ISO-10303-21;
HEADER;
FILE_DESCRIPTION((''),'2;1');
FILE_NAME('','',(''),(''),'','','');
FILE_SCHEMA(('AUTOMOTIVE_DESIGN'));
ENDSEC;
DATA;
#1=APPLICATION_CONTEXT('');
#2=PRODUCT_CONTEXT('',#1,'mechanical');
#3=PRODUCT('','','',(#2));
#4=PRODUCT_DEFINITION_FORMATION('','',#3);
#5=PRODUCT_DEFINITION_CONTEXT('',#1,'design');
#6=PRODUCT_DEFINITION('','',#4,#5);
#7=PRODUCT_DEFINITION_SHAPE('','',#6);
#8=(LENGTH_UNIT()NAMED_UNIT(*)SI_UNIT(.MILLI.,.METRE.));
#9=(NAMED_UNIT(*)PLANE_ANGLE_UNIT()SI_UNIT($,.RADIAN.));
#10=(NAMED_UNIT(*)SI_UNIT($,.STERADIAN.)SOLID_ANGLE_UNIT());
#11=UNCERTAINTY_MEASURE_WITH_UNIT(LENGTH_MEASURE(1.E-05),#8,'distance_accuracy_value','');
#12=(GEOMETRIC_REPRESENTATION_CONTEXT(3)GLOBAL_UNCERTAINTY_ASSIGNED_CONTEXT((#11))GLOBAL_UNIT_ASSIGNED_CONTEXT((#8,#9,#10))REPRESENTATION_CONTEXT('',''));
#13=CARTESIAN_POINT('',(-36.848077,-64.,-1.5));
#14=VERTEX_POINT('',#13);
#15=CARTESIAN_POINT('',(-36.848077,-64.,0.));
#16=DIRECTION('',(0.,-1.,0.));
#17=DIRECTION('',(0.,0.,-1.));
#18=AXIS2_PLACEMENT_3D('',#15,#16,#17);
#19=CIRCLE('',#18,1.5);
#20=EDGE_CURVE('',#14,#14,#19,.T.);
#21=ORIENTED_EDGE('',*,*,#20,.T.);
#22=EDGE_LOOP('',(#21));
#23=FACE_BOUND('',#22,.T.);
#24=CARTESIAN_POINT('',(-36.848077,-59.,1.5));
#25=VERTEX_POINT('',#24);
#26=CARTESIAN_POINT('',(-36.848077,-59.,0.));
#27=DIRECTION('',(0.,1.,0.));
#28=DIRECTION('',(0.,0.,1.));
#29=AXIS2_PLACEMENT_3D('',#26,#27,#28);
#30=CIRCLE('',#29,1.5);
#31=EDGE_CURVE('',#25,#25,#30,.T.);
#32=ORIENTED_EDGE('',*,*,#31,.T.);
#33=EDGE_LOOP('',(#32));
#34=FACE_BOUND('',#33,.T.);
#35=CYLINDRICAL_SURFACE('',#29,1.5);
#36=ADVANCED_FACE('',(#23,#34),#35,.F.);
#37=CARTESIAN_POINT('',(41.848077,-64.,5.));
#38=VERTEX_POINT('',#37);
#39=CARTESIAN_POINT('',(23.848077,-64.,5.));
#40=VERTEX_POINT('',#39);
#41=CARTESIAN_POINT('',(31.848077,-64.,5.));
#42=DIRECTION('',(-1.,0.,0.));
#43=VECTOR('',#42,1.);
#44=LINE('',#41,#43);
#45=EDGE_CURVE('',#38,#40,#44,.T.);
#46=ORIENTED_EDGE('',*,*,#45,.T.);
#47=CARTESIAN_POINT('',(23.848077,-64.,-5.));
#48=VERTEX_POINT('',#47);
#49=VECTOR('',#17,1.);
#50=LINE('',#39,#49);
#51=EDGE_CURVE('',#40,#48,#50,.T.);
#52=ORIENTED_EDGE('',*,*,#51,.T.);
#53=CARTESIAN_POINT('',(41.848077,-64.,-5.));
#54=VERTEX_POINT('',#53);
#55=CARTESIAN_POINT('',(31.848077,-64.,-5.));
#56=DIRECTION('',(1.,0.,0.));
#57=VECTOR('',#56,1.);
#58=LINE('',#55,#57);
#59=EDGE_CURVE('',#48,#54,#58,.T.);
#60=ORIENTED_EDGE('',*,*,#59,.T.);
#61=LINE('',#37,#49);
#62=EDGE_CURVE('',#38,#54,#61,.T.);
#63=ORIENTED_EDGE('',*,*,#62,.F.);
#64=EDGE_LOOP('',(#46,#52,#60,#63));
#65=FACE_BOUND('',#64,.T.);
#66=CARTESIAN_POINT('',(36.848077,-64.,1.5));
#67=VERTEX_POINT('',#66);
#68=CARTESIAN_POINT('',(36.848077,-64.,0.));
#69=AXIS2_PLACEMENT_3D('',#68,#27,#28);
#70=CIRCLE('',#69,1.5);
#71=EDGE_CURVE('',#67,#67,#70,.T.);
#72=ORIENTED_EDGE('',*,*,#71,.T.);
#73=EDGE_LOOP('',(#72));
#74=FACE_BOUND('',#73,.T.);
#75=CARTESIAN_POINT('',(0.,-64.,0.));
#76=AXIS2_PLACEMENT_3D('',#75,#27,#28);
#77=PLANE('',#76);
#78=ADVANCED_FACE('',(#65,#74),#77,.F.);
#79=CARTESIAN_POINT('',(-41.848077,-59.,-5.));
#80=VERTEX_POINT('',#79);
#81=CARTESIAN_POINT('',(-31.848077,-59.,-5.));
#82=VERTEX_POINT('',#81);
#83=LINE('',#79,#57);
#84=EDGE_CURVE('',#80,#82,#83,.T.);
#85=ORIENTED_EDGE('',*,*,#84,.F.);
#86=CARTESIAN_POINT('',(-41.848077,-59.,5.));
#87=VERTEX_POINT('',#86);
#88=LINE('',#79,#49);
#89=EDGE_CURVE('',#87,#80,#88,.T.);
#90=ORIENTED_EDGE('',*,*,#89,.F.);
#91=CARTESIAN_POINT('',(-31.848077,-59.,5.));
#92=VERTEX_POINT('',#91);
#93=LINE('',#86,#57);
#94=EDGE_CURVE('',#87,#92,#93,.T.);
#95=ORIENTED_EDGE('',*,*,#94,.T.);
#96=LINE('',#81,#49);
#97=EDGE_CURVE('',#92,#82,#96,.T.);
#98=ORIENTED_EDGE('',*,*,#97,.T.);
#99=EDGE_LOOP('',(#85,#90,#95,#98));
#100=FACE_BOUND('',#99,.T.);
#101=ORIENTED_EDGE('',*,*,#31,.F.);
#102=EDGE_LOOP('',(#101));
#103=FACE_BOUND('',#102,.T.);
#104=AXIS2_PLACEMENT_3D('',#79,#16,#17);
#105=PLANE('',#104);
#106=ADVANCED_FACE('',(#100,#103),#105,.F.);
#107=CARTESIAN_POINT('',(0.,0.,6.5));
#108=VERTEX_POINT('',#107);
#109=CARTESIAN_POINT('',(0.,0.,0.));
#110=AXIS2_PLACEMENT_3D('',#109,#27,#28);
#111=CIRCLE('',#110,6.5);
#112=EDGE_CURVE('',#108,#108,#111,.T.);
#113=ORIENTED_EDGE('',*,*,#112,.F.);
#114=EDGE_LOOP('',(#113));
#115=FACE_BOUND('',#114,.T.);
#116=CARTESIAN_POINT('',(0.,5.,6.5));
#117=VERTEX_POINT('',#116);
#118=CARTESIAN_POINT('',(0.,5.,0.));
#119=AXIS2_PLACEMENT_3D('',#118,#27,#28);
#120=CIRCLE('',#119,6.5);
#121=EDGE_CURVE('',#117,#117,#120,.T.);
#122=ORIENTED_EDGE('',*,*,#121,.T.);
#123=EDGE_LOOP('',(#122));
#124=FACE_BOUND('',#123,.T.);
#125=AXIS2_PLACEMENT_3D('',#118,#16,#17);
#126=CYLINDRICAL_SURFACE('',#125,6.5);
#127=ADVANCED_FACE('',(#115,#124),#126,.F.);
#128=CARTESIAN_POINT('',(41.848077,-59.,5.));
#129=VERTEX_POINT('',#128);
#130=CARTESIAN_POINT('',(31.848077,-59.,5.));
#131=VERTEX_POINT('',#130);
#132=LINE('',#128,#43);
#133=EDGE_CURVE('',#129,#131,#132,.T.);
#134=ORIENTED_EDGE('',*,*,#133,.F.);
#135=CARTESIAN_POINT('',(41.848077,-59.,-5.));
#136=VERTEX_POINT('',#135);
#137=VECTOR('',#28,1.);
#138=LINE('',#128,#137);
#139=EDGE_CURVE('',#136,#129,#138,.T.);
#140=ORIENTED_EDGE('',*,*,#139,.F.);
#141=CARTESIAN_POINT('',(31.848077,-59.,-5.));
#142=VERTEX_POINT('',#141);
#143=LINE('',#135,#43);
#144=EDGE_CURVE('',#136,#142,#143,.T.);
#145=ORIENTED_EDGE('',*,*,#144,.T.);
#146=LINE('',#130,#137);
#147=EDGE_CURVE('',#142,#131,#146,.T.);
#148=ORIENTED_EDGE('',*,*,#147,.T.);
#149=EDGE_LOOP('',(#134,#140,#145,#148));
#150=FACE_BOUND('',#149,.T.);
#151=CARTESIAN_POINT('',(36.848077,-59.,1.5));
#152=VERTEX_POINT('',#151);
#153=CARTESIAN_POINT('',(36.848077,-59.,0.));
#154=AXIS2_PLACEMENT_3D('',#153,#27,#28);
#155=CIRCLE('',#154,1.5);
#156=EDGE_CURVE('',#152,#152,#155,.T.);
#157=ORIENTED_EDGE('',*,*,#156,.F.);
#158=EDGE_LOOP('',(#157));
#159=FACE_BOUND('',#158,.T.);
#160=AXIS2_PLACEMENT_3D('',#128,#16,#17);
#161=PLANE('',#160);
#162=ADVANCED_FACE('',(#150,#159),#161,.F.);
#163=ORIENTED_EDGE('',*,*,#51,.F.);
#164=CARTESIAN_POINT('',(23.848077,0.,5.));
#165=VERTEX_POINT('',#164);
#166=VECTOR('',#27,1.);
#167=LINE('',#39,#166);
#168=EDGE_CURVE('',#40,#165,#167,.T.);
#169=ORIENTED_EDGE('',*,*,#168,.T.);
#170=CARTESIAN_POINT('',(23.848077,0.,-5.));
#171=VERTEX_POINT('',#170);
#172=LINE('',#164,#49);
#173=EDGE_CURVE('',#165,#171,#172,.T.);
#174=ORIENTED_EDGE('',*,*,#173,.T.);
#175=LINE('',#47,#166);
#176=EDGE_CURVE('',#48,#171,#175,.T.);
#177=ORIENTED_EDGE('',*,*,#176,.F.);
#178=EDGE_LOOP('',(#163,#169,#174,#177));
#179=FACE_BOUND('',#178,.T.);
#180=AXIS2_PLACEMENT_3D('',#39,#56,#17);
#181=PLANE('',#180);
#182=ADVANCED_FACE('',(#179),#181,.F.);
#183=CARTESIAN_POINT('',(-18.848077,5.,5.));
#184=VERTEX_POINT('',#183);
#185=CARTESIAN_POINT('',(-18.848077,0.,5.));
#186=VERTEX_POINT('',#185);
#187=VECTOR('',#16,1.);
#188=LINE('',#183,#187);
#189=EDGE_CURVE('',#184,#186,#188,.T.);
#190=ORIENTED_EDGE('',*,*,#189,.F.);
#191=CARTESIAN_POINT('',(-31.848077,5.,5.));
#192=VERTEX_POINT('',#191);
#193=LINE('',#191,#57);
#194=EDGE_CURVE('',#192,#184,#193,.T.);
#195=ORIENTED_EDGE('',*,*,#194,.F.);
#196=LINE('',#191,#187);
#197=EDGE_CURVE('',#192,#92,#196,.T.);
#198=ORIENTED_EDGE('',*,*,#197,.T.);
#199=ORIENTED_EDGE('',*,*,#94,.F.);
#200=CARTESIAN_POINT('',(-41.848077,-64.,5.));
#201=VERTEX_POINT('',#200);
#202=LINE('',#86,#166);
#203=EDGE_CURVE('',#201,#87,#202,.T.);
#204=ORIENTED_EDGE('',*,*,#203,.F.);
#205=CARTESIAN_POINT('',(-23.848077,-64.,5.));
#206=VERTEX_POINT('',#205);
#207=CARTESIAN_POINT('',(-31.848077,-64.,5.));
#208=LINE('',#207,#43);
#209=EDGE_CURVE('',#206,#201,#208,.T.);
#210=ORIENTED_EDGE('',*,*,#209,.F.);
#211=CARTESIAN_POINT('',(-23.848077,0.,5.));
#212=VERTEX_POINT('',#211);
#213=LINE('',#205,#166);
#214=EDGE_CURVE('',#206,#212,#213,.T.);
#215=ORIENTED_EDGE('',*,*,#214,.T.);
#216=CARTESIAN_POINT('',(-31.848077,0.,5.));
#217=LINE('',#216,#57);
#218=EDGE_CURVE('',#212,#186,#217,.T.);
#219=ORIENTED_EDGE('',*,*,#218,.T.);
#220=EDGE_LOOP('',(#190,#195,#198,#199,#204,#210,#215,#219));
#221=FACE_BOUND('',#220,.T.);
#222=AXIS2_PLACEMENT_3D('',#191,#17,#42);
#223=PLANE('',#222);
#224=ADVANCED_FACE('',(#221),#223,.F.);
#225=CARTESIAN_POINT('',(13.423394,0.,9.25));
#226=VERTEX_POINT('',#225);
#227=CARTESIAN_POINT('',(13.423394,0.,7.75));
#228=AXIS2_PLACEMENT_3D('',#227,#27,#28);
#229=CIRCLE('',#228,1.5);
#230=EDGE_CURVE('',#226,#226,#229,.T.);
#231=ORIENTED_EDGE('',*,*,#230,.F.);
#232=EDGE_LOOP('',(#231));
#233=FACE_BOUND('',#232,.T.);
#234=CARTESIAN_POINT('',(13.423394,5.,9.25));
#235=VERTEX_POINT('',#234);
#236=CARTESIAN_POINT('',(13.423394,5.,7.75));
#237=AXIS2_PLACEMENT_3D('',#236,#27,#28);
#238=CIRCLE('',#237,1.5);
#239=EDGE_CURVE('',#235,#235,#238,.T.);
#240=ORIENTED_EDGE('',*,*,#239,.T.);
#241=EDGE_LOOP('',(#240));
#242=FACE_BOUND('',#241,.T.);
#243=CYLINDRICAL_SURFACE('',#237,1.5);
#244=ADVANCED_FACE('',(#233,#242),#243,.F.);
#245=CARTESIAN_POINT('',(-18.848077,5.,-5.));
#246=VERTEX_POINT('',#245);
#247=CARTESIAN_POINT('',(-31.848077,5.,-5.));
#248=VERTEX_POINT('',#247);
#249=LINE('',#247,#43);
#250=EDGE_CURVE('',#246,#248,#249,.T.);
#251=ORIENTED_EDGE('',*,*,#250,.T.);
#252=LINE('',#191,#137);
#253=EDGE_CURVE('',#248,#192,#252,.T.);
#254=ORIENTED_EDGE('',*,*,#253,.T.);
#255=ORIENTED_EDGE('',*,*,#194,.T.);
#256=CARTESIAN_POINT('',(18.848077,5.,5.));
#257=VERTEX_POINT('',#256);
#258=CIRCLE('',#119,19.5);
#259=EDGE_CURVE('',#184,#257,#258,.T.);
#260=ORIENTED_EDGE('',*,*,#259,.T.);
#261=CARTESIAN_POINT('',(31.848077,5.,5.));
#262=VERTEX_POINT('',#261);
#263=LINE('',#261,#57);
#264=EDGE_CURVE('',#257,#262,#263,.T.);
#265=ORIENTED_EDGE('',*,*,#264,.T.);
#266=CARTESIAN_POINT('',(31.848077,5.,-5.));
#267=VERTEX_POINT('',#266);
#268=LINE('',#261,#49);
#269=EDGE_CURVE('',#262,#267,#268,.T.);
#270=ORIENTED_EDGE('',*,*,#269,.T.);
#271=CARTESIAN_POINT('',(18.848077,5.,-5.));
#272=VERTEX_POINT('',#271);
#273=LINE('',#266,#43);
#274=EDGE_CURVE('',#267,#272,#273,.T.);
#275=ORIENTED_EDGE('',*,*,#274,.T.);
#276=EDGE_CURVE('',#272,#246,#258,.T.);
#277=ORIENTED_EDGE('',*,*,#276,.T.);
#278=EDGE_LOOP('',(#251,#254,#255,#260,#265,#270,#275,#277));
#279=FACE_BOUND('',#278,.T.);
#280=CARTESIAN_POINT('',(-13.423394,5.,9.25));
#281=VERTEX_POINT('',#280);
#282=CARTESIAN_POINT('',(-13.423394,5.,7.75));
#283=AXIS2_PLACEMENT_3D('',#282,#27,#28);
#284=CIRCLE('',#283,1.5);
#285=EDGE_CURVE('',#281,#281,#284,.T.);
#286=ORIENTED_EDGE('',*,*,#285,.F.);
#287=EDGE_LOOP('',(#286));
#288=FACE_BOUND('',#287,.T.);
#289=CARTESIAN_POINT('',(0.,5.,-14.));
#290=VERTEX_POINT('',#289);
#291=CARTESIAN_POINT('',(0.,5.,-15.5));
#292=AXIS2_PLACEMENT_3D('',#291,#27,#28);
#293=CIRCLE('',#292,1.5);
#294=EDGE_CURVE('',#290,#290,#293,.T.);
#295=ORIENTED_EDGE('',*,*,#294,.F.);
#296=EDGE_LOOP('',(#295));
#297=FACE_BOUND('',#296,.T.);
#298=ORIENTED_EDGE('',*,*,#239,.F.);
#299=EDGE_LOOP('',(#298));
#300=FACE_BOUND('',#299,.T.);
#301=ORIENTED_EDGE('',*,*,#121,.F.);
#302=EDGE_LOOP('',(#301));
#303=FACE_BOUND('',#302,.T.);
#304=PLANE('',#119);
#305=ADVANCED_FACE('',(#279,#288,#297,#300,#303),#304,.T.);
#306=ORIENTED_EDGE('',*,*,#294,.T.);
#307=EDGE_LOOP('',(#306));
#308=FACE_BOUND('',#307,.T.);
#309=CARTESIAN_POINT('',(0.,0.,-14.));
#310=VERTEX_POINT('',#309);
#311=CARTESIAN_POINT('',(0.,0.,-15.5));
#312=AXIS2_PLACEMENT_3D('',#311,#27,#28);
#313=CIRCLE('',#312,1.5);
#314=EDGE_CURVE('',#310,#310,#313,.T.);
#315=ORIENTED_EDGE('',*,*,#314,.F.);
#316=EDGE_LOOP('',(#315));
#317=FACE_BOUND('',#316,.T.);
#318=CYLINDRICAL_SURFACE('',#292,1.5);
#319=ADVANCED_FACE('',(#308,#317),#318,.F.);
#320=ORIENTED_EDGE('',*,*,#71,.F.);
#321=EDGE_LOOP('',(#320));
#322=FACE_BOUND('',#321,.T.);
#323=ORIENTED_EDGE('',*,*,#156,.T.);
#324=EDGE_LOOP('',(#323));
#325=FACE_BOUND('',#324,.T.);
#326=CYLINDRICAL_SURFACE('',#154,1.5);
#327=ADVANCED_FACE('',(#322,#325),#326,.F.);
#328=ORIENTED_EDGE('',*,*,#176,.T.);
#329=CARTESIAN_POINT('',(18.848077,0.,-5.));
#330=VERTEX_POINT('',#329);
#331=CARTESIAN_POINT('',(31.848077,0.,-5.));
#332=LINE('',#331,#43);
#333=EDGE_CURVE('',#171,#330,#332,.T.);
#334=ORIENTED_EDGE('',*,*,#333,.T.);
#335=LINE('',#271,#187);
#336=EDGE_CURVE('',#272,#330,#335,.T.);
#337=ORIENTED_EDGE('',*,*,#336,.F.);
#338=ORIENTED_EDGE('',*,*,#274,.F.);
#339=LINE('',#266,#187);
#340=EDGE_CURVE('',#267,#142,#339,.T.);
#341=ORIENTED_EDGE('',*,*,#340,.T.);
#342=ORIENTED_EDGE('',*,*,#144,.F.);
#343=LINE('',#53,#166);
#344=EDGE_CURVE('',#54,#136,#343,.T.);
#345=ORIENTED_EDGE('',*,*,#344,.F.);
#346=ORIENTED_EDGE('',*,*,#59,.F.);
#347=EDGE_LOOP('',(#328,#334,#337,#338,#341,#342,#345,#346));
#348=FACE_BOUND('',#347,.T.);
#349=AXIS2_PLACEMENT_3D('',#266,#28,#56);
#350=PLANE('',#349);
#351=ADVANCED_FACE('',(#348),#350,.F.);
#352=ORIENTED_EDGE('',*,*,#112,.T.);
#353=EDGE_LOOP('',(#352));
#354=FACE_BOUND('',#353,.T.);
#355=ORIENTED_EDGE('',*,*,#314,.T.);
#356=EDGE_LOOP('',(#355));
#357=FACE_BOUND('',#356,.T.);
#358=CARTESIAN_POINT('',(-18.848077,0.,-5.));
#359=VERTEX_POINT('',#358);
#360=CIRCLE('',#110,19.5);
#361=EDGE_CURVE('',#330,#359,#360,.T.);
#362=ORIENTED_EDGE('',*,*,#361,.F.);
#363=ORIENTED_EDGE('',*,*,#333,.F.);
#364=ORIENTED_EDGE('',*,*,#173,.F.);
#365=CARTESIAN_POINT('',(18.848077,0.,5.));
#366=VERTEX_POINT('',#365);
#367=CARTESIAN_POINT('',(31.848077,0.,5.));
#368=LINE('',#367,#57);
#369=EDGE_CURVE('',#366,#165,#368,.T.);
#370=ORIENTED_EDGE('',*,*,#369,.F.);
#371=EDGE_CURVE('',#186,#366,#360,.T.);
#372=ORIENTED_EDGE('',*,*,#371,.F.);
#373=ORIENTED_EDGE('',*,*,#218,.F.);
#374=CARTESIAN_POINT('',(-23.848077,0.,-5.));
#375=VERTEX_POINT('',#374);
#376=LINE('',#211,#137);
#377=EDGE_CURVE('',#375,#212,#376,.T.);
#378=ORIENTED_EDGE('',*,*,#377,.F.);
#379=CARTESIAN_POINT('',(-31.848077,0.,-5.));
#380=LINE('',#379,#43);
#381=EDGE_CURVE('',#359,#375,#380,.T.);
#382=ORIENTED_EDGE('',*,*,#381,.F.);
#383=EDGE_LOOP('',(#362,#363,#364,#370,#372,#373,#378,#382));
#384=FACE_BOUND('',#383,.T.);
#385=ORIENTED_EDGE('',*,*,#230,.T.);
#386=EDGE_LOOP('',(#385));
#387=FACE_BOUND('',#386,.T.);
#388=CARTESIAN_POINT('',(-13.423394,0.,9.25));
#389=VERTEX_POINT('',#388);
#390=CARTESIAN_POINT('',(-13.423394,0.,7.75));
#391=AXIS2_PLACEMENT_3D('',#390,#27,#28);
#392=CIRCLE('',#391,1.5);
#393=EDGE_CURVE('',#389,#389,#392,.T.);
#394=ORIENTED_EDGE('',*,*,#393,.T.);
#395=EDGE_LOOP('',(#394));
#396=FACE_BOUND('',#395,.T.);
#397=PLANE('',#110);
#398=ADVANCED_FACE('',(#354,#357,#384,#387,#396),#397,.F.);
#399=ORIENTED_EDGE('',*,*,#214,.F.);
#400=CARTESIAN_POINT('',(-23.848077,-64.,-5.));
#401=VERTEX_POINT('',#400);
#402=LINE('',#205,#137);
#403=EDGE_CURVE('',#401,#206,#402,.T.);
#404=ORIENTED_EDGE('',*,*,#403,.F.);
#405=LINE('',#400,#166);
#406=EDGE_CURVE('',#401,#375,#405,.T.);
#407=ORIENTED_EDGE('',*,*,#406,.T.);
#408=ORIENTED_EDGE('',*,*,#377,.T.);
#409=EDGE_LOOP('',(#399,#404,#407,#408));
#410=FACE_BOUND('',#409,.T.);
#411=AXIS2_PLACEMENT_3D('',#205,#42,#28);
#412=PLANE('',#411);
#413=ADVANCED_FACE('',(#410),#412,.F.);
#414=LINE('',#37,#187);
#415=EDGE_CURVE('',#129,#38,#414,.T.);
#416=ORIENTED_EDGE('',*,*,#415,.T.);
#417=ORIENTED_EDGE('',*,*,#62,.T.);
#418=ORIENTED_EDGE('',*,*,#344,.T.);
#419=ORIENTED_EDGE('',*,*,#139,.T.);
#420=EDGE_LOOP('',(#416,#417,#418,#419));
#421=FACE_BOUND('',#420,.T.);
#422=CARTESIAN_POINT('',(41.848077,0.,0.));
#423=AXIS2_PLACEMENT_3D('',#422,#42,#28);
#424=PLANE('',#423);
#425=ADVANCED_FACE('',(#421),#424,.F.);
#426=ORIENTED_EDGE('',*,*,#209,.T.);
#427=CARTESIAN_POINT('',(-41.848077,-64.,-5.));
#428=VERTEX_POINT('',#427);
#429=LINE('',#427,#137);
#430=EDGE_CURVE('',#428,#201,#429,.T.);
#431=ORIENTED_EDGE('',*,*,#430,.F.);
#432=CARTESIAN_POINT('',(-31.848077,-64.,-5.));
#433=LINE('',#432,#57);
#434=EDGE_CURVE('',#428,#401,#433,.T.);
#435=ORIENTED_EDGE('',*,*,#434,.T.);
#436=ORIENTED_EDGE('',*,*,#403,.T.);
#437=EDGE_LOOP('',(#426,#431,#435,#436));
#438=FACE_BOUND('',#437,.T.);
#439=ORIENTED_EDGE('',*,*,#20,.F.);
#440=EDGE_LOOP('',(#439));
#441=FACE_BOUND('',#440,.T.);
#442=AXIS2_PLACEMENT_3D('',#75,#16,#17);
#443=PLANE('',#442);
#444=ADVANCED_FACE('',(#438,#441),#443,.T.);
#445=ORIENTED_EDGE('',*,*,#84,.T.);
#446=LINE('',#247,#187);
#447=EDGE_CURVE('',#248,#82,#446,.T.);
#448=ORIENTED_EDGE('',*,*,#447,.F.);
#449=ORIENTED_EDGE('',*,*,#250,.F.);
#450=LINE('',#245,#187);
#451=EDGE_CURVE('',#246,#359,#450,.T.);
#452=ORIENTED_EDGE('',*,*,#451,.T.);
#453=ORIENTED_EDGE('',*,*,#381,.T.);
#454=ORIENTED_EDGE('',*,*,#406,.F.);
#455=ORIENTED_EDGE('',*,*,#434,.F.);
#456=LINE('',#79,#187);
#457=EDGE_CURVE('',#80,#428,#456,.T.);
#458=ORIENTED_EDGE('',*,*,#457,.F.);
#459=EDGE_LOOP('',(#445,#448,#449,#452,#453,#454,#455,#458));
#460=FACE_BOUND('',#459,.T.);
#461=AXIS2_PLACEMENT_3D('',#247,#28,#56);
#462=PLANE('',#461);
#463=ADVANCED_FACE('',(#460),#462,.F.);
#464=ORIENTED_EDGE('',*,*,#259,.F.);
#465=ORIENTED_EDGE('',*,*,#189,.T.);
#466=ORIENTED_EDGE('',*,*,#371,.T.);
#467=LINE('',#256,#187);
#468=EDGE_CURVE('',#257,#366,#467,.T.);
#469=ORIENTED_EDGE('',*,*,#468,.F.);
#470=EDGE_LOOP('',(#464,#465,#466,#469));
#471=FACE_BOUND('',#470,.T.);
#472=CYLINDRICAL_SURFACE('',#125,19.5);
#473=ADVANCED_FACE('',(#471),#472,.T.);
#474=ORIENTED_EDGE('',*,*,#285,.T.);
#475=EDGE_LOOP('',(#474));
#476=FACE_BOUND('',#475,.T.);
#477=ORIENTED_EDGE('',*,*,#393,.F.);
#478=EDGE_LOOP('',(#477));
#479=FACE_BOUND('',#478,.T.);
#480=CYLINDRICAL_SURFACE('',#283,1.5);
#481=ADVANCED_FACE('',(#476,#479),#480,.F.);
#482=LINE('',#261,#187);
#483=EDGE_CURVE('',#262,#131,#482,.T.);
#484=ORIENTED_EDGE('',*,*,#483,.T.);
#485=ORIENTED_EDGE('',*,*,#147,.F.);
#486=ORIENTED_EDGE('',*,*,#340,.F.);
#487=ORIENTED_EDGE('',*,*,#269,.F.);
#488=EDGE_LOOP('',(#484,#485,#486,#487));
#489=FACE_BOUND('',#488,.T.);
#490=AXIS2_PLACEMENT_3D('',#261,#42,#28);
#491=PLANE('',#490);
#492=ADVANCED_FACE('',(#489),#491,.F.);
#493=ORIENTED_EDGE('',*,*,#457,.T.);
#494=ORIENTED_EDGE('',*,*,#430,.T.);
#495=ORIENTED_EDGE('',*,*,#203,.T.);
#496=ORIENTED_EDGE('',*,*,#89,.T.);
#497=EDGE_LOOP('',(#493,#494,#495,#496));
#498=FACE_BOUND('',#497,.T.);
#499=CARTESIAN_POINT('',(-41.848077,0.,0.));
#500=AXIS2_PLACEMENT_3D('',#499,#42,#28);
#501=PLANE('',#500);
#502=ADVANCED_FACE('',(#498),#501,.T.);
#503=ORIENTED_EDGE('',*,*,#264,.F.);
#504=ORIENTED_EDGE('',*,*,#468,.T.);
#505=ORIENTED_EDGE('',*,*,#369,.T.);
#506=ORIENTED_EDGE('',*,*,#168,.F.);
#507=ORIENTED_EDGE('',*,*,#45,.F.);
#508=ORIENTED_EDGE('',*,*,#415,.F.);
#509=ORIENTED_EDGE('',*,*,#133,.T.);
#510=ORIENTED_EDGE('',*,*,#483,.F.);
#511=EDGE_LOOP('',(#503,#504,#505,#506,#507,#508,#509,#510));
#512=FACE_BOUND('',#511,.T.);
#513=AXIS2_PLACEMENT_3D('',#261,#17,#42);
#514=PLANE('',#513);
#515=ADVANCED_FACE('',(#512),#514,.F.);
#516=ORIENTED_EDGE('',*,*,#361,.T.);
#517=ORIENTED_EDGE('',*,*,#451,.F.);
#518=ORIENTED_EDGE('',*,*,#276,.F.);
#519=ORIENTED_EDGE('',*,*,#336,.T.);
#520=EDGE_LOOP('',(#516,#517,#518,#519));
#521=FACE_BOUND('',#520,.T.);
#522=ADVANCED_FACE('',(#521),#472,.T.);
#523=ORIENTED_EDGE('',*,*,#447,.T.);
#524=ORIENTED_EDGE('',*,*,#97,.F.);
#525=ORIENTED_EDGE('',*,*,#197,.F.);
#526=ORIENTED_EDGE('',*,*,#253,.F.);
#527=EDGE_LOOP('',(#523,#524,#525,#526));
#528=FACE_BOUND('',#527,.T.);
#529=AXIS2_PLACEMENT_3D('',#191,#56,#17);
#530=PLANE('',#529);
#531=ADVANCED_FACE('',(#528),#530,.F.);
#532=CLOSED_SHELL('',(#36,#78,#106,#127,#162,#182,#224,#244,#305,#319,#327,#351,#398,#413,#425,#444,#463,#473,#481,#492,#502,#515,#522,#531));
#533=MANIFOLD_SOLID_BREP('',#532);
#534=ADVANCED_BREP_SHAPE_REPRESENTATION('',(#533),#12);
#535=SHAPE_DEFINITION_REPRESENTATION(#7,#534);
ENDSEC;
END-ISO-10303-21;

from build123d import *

# Parameters (mm, degrees)
SKETCH1_R                 = 6.5
BOSS_EXTRUDE1_DEPTH       = 5
SKETCH2_W                 = 8
SKETCH2_H                 = 10
BOSS_EXTRUDE2_DEPTH       = 64
SKETCH5_W                 = 10
SKETCH5_H                 = 5
BOSS_EXTRUDE3_DEPTH       = 10
SKETCH6_W                 = 10
SKETCH6_H                 = 5
BOSS_EXTRUDE4_DEPTH       = 10
F_3_0MM_DOWEL_HOLE1_D     = 3
F_3_0MM_DOWEL_HOLE1_DEPTH = 23
F_3_0MM_DOWEL_HOLE1_TIP   = 0.901290929
F_3_0MM_DOWEL_HOLE2_D     = 3


with BuildPart() as part:
    # Sketch1 → Boss-Extrude1 (new body)
    with BuildSketch(Plane(origin=(0, 0, 0), x_dir=(1, 0, 0), z_dir=(0, 1, 0))):
        with BuildLine():
            Line((-31.848076825, -5), (-18.848076825, -5))
            ThreePointArc((-18.848076825, -5), (0, -19.5), (18.848076825, -5))
            Line((18.848076825, -5), (31.848076825, -5))
            Line((31.848076825, -5), (31.848076825, 5))
            Line((31.848076825, 5), (18.848076825, 5))
            ThreePointArc((18.848076825, 5), (0, 19.5), (-18.848076825, 5))
            Line((-18.848076825, 5), (-31.848076825, 5))
            Line((-31.848076825, 5), (-31.848076825, -5))
        make_face()
        Circle(SKETCH1_R, mode=Mode.SUBTRACT)
    extrude(amount=BOSS_EXTRUDE1_DEPTH)

    # Sketch2 → Boss-Extrude2 (add)
    with BuildSketch(Plane.XZ):
        with Locations((-27.848076825, 0)):
            Rectangle(SKETCH2_W, SKETCH2_H)
        with Locations((27.848076825, 0)):
            Rectangle(SKETCH2_W, SKETCH2_H)
    extrude(amount=BOSS_EXTRUDE2_DEPTH)

    # Sketch5 → Boss-Extrude3 (add)
    with BuildSketch(Plane.ZY.offset(31.848076825)):
        with Locations((0, -61.5)):
            Rectangle(SKETCH5_W, SKETCH5_H)
    extrude(amount=BOSS_EXTRUDE3_DEPTH)

    # Sketch6 → Boss-Extrude4 (add)
    with BuildSketch(Plane(origin=(31.848076825, 0, 0), x_dir=(0, 0, -1), z_dir=(1, 0, 0))):
        with Locations((0, -61.5)):
            Rectangle(SKETCH6_W, SKETCH6_H)
    extrude(amount=BOSS_EXTRUDE4_DEPTH)

    # Ø3.0mm Dowel Hole1
    with Locations(Plane(origin=(0, -59, 0), x_dir=(1, 0, 0), z_dir=(0, 1, 0))):
        with Locations((36.848076825, 0), (-36.848076825, 0)):
            Hole(F_3_0MM_DOWEL_HOLE1_D / 2, depth=F_3_0MM_DOWEL_HOLE1_DEPTH)
            with Locations((0, 0, -(F_3_0MM_DOWEL_HOLE1_DEPTH + F_3_0MM_DOWEL_HOLE1_TIP / 2))):  # 118° drill point
                Cone(0, F_3_0MM_DOWEL_HOLE1_D / 2, F_3_0MM_DOWEL_HOLE1_TIP, mode=Mode.SUBTRACT)

    # Ø3.0mm Dowel Hole2 (through all)
    with Locations(Plane(origin=(0, 5, 0), x_dir=(1, 0, 0), z_dir=(0, 1, 0))):
        with Locations((0, 15.5), (13.423393759, -7.75), (-13.423393759, -7.75)):
            Hole(F_3_0MM_DOWEL_HOLE2_D / 2)


solid = part.part
